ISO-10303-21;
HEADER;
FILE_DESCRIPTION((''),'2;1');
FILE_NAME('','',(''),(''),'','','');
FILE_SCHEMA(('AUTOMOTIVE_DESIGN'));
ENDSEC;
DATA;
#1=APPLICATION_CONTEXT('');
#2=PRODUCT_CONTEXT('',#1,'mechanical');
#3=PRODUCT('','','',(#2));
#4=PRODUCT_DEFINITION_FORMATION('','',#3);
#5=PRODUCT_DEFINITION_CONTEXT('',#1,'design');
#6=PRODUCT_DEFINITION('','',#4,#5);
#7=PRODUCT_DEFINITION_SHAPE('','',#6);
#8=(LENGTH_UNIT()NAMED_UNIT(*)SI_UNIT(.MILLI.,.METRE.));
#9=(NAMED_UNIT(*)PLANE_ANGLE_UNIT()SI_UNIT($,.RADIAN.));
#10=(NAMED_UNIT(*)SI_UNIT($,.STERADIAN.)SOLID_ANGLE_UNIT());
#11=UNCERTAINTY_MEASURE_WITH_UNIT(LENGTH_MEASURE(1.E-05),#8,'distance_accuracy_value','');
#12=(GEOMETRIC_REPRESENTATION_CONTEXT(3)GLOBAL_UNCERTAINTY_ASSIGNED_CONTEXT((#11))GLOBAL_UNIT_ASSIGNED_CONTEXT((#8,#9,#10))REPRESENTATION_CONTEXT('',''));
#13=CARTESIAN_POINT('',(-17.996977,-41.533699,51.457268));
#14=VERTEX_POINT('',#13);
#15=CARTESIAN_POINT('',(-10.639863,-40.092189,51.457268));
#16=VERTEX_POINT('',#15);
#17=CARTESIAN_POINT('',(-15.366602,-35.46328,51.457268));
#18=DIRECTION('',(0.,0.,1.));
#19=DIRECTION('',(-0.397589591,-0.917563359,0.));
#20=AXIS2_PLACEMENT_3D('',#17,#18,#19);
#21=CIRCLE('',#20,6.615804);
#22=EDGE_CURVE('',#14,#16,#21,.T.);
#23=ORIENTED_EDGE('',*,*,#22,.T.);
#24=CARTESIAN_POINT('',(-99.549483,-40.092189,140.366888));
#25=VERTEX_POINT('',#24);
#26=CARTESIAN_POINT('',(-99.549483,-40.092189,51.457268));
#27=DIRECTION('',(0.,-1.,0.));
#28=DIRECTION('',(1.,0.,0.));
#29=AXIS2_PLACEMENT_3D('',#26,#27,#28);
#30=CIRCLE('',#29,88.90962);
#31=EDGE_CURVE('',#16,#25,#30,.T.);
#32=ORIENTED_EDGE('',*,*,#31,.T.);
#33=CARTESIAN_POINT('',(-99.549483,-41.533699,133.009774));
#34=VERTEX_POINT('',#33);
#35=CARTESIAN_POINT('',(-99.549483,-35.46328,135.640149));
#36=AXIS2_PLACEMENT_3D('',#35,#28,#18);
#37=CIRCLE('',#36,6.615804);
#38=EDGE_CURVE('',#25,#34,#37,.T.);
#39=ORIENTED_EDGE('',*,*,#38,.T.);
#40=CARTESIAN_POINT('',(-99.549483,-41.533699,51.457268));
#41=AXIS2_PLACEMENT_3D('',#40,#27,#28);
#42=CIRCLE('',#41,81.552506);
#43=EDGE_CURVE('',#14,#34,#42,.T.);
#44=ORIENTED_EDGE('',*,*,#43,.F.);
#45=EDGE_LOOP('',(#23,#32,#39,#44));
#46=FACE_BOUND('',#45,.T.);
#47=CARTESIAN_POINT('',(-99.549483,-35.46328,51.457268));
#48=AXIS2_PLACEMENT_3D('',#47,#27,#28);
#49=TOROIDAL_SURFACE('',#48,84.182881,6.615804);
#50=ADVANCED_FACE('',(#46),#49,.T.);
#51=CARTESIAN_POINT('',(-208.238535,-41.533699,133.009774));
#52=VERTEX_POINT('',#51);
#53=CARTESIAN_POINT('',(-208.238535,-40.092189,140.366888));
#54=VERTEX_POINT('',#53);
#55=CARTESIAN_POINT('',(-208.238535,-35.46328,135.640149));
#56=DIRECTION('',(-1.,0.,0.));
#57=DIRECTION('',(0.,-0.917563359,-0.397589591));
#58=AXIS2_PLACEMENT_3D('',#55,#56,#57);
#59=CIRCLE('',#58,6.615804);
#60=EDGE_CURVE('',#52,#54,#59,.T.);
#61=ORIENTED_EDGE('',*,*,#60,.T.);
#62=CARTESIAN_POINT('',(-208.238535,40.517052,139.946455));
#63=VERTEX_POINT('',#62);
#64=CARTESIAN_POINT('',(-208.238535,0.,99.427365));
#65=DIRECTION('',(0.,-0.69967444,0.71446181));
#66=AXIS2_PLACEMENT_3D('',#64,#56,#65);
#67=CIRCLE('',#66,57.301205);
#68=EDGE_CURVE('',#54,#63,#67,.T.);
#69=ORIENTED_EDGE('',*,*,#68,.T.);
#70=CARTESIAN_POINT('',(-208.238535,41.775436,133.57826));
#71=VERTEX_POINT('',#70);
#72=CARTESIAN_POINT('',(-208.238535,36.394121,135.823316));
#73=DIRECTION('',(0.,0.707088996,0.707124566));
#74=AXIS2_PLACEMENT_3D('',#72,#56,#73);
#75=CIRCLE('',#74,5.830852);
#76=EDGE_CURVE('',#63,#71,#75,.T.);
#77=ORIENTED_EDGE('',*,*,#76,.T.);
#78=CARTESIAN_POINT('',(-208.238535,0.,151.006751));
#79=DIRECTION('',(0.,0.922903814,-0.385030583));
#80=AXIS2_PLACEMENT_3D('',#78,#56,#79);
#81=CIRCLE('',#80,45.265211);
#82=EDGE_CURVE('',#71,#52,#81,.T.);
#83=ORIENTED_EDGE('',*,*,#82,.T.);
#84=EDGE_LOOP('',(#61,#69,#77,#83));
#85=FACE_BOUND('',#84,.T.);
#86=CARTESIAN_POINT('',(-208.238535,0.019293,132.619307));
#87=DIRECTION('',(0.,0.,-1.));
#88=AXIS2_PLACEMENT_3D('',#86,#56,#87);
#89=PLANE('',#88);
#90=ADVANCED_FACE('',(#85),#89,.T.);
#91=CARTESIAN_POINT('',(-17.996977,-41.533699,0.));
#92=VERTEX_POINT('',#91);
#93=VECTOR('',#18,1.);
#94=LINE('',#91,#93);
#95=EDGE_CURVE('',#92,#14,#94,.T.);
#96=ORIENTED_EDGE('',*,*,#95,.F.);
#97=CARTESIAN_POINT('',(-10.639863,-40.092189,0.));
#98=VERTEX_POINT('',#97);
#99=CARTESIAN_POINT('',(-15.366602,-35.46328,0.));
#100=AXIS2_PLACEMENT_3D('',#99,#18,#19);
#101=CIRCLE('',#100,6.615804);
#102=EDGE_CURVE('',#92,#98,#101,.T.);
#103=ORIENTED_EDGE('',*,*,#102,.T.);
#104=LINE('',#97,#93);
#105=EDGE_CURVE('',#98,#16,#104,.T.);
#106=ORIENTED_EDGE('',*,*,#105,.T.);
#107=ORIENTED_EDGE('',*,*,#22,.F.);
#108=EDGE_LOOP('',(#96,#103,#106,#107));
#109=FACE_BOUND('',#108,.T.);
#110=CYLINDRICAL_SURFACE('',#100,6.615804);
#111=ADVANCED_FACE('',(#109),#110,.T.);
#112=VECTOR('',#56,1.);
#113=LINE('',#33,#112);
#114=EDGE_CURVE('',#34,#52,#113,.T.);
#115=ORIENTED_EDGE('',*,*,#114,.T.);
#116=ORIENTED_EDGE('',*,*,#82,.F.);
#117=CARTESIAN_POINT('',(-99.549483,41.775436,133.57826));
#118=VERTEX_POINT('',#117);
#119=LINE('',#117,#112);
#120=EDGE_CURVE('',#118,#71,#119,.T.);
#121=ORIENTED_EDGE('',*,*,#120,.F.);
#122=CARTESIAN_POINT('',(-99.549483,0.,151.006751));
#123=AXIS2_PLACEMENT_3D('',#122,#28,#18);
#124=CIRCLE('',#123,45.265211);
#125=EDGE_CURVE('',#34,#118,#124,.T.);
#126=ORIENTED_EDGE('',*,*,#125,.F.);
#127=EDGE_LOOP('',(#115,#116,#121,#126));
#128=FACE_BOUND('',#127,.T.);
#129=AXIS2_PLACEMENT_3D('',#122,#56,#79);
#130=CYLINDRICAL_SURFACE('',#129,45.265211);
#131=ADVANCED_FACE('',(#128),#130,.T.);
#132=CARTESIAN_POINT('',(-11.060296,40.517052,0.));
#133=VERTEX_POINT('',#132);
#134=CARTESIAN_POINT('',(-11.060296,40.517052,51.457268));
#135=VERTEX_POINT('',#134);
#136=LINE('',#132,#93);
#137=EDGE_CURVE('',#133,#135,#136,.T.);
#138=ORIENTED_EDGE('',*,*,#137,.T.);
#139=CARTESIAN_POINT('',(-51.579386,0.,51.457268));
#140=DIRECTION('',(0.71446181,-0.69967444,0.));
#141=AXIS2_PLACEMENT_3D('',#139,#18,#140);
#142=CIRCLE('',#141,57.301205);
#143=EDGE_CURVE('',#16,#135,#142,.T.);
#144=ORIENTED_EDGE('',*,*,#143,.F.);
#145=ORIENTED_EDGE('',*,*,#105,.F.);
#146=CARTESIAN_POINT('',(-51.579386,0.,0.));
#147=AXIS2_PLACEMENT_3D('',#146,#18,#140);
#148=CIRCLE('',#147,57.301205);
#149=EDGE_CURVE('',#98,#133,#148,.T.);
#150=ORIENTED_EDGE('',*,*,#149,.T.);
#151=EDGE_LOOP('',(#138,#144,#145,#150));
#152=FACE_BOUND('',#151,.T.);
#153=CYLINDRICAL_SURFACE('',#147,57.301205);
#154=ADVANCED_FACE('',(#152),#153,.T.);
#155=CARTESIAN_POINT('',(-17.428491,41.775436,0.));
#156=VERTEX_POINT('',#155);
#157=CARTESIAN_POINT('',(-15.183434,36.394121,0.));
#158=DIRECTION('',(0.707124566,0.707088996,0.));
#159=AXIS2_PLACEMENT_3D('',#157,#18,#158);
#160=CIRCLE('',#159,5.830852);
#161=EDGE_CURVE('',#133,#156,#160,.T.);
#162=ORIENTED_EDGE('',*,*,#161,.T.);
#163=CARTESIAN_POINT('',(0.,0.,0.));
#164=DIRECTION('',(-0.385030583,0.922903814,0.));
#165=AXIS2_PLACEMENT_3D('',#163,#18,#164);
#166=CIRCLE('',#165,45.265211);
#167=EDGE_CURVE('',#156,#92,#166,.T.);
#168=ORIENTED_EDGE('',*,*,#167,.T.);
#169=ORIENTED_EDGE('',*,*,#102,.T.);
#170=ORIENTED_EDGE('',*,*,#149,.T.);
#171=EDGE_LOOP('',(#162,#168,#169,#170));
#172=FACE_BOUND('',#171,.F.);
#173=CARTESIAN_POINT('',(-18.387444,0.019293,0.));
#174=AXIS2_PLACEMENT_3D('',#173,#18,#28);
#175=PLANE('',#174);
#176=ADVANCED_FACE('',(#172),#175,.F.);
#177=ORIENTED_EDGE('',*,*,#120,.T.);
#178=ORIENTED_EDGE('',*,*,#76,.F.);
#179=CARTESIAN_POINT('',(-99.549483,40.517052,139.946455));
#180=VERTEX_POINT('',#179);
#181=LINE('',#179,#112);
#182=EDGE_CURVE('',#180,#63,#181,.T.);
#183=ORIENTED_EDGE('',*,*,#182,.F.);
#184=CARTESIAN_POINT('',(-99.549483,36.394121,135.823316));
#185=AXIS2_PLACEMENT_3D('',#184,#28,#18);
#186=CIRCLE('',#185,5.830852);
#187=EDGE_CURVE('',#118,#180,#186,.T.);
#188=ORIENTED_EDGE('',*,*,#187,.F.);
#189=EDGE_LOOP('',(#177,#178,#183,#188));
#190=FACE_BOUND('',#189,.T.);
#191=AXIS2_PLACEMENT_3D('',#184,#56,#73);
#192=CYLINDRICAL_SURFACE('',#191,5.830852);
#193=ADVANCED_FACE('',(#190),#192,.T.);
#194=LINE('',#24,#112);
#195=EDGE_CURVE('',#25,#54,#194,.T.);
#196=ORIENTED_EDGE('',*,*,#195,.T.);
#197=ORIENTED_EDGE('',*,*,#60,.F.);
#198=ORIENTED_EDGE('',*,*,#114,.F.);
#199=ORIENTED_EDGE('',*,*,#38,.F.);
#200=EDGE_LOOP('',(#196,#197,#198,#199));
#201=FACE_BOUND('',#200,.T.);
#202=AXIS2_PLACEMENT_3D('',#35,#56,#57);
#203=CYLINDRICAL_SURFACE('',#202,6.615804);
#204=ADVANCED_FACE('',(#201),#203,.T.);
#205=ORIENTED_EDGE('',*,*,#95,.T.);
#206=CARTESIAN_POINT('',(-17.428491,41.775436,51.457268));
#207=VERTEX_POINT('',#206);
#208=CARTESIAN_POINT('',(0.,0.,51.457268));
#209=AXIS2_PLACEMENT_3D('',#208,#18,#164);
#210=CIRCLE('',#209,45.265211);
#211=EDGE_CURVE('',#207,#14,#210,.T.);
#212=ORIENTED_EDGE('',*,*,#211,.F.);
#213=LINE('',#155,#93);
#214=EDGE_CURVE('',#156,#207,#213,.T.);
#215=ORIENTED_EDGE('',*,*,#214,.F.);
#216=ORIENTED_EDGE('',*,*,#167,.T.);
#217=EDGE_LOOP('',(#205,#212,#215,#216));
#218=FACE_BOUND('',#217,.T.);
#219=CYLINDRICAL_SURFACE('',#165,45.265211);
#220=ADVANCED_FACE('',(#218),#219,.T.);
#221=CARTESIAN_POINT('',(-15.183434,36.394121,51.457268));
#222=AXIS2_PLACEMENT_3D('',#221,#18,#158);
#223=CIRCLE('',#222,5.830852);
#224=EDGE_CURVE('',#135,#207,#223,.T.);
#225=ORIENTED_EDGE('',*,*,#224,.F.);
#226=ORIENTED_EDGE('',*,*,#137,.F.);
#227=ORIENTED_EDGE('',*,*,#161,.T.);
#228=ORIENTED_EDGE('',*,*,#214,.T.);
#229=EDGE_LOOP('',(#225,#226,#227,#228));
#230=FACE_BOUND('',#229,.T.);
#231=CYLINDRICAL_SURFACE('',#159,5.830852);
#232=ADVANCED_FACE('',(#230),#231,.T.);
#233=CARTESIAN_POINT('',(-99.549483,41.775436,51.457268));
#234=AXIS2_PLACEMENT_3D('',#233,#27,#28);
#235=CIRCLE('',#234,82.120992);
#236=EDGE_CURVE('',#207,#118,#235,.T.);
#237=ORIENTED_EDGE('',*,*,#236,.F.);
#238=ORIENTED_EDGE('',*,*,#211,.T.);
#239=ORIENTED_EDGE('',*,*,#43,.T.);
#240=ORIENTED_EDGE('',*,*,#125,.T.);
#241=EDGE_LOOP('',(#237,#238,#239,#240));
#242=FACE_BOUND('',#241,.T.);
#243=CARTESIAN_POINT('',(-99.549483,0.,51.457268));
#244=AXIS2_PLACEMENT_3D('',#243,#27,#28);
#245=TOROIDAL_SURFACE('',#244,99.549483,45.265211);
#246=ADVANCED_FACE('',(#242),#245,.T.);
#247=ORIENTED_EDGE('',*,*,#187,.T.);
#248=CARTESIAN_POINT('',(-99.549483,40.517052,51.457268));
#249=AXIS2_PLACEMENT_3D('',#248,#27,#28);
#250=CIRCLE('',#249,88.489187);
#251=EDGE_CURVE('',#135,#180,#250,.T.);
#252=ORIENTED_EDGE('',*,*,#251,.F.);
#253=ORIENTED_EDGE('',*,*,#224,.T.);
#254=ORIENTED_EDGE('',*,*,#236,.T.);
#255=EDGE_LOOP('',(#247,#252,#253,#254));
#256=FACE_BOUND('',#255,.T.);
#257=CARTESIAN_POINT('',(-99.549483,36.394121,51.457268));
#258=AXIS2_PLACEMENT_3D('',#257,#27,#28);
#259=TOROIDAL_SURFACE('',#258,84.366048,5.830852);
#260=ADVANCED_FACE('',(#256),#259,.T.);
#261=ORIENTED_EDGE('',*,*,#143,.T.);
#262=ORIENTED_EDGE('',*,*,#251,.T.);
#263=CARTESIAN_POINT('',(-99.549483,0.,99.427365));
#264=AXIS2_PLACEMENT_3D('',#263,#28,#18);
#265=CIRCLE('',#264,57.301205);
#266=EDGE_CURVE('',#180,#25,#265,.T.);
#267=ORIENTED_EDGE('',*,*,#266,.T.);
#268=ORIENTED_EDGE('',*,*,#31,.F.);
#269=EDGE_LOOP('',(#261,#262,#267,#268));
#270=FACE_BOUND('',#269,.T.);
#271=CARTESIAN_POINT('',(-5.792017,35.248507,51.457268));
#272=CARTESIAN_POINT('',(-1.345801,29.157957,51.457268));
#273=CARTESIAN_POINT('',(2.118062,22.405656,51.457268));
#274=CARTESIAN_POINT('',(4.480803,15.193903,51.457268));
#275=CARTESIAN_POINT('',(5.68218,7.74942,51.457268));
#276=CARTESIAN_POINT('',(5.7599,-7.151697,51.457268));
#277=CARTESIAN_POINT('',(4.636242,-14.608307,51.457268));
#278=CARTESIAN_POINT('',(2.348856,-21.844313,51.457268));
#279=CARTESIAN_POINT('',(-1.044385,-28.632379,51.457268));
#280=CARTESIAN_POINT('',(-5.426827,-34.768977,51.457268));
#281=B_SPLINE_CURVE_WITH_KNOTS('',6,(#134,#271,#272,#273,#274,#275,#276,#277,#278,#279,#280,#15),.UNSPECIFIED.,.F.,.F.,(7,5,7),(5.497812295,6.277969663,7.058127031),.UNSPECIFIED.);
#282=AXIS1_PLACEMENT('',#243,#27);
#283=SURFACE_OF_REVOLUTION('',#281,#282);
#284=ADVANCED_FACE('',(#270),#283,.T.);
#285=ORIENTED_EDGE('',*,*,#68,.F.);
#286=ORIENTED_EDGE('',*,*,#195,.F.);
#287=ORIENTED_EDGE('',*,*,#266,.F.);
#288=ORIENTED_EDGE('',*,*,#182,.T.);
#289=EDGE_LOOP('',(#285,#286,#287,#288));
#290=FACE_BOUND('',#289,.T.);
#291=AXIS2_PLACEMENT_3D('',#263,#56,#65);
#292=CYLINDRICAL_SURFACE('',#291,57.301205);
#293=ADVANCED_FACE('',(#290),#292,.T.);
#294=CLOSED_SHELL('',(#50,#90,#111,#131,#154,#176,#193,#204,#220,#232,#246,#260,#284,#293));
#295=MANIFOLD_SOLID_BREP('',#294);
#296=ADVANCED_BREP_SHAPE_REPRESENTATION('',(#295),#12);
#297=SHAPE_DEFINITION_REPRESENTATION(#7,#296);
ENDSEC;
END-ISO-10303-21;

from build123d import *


with BuildPart() as f2:
    # F2: sweep along a path in F0
    with BuildLine(Plane.XZ) as f2_path:
        Line((0, 0), (0, 51.4572679996))
        ThreePointArc((0, 51.4572679996), (-29.1573684376, 121.8493823248), (-99.5494827628, 151.0067507625))
        Line((-99.5494827628, 151.0067507625), (-208.2385346019, 151.0067507625))
    # F1 (on Top) → F2 (sweep)
    with BuildSketch(Plane.XY):
        with BuildLine():
            ThreePointArc((-17.9969767891, -41.5336991378), (-14.094527486, -41.9556359374), (-10.6398630821, -40.0921888406))
            ThreePointArc((-10.6398630821, -40.0921888406), (5.7210400439, 0.2988613285), (-11.0602959901, 40.517051812))
            ThreePointArc((-11.0602959901, 40.517051812), (-14.0530889357, 42.1143611499), (-17.428490612, 41.7754359954))
            ThreePointArc((-17.428490612, 41.7754359954), (-45.2641572804, 0.3088742632), (-17.9969767891, -41.5336991378))
        make_face()
    sweep(path=f2_path.line)


solid = f2.part
